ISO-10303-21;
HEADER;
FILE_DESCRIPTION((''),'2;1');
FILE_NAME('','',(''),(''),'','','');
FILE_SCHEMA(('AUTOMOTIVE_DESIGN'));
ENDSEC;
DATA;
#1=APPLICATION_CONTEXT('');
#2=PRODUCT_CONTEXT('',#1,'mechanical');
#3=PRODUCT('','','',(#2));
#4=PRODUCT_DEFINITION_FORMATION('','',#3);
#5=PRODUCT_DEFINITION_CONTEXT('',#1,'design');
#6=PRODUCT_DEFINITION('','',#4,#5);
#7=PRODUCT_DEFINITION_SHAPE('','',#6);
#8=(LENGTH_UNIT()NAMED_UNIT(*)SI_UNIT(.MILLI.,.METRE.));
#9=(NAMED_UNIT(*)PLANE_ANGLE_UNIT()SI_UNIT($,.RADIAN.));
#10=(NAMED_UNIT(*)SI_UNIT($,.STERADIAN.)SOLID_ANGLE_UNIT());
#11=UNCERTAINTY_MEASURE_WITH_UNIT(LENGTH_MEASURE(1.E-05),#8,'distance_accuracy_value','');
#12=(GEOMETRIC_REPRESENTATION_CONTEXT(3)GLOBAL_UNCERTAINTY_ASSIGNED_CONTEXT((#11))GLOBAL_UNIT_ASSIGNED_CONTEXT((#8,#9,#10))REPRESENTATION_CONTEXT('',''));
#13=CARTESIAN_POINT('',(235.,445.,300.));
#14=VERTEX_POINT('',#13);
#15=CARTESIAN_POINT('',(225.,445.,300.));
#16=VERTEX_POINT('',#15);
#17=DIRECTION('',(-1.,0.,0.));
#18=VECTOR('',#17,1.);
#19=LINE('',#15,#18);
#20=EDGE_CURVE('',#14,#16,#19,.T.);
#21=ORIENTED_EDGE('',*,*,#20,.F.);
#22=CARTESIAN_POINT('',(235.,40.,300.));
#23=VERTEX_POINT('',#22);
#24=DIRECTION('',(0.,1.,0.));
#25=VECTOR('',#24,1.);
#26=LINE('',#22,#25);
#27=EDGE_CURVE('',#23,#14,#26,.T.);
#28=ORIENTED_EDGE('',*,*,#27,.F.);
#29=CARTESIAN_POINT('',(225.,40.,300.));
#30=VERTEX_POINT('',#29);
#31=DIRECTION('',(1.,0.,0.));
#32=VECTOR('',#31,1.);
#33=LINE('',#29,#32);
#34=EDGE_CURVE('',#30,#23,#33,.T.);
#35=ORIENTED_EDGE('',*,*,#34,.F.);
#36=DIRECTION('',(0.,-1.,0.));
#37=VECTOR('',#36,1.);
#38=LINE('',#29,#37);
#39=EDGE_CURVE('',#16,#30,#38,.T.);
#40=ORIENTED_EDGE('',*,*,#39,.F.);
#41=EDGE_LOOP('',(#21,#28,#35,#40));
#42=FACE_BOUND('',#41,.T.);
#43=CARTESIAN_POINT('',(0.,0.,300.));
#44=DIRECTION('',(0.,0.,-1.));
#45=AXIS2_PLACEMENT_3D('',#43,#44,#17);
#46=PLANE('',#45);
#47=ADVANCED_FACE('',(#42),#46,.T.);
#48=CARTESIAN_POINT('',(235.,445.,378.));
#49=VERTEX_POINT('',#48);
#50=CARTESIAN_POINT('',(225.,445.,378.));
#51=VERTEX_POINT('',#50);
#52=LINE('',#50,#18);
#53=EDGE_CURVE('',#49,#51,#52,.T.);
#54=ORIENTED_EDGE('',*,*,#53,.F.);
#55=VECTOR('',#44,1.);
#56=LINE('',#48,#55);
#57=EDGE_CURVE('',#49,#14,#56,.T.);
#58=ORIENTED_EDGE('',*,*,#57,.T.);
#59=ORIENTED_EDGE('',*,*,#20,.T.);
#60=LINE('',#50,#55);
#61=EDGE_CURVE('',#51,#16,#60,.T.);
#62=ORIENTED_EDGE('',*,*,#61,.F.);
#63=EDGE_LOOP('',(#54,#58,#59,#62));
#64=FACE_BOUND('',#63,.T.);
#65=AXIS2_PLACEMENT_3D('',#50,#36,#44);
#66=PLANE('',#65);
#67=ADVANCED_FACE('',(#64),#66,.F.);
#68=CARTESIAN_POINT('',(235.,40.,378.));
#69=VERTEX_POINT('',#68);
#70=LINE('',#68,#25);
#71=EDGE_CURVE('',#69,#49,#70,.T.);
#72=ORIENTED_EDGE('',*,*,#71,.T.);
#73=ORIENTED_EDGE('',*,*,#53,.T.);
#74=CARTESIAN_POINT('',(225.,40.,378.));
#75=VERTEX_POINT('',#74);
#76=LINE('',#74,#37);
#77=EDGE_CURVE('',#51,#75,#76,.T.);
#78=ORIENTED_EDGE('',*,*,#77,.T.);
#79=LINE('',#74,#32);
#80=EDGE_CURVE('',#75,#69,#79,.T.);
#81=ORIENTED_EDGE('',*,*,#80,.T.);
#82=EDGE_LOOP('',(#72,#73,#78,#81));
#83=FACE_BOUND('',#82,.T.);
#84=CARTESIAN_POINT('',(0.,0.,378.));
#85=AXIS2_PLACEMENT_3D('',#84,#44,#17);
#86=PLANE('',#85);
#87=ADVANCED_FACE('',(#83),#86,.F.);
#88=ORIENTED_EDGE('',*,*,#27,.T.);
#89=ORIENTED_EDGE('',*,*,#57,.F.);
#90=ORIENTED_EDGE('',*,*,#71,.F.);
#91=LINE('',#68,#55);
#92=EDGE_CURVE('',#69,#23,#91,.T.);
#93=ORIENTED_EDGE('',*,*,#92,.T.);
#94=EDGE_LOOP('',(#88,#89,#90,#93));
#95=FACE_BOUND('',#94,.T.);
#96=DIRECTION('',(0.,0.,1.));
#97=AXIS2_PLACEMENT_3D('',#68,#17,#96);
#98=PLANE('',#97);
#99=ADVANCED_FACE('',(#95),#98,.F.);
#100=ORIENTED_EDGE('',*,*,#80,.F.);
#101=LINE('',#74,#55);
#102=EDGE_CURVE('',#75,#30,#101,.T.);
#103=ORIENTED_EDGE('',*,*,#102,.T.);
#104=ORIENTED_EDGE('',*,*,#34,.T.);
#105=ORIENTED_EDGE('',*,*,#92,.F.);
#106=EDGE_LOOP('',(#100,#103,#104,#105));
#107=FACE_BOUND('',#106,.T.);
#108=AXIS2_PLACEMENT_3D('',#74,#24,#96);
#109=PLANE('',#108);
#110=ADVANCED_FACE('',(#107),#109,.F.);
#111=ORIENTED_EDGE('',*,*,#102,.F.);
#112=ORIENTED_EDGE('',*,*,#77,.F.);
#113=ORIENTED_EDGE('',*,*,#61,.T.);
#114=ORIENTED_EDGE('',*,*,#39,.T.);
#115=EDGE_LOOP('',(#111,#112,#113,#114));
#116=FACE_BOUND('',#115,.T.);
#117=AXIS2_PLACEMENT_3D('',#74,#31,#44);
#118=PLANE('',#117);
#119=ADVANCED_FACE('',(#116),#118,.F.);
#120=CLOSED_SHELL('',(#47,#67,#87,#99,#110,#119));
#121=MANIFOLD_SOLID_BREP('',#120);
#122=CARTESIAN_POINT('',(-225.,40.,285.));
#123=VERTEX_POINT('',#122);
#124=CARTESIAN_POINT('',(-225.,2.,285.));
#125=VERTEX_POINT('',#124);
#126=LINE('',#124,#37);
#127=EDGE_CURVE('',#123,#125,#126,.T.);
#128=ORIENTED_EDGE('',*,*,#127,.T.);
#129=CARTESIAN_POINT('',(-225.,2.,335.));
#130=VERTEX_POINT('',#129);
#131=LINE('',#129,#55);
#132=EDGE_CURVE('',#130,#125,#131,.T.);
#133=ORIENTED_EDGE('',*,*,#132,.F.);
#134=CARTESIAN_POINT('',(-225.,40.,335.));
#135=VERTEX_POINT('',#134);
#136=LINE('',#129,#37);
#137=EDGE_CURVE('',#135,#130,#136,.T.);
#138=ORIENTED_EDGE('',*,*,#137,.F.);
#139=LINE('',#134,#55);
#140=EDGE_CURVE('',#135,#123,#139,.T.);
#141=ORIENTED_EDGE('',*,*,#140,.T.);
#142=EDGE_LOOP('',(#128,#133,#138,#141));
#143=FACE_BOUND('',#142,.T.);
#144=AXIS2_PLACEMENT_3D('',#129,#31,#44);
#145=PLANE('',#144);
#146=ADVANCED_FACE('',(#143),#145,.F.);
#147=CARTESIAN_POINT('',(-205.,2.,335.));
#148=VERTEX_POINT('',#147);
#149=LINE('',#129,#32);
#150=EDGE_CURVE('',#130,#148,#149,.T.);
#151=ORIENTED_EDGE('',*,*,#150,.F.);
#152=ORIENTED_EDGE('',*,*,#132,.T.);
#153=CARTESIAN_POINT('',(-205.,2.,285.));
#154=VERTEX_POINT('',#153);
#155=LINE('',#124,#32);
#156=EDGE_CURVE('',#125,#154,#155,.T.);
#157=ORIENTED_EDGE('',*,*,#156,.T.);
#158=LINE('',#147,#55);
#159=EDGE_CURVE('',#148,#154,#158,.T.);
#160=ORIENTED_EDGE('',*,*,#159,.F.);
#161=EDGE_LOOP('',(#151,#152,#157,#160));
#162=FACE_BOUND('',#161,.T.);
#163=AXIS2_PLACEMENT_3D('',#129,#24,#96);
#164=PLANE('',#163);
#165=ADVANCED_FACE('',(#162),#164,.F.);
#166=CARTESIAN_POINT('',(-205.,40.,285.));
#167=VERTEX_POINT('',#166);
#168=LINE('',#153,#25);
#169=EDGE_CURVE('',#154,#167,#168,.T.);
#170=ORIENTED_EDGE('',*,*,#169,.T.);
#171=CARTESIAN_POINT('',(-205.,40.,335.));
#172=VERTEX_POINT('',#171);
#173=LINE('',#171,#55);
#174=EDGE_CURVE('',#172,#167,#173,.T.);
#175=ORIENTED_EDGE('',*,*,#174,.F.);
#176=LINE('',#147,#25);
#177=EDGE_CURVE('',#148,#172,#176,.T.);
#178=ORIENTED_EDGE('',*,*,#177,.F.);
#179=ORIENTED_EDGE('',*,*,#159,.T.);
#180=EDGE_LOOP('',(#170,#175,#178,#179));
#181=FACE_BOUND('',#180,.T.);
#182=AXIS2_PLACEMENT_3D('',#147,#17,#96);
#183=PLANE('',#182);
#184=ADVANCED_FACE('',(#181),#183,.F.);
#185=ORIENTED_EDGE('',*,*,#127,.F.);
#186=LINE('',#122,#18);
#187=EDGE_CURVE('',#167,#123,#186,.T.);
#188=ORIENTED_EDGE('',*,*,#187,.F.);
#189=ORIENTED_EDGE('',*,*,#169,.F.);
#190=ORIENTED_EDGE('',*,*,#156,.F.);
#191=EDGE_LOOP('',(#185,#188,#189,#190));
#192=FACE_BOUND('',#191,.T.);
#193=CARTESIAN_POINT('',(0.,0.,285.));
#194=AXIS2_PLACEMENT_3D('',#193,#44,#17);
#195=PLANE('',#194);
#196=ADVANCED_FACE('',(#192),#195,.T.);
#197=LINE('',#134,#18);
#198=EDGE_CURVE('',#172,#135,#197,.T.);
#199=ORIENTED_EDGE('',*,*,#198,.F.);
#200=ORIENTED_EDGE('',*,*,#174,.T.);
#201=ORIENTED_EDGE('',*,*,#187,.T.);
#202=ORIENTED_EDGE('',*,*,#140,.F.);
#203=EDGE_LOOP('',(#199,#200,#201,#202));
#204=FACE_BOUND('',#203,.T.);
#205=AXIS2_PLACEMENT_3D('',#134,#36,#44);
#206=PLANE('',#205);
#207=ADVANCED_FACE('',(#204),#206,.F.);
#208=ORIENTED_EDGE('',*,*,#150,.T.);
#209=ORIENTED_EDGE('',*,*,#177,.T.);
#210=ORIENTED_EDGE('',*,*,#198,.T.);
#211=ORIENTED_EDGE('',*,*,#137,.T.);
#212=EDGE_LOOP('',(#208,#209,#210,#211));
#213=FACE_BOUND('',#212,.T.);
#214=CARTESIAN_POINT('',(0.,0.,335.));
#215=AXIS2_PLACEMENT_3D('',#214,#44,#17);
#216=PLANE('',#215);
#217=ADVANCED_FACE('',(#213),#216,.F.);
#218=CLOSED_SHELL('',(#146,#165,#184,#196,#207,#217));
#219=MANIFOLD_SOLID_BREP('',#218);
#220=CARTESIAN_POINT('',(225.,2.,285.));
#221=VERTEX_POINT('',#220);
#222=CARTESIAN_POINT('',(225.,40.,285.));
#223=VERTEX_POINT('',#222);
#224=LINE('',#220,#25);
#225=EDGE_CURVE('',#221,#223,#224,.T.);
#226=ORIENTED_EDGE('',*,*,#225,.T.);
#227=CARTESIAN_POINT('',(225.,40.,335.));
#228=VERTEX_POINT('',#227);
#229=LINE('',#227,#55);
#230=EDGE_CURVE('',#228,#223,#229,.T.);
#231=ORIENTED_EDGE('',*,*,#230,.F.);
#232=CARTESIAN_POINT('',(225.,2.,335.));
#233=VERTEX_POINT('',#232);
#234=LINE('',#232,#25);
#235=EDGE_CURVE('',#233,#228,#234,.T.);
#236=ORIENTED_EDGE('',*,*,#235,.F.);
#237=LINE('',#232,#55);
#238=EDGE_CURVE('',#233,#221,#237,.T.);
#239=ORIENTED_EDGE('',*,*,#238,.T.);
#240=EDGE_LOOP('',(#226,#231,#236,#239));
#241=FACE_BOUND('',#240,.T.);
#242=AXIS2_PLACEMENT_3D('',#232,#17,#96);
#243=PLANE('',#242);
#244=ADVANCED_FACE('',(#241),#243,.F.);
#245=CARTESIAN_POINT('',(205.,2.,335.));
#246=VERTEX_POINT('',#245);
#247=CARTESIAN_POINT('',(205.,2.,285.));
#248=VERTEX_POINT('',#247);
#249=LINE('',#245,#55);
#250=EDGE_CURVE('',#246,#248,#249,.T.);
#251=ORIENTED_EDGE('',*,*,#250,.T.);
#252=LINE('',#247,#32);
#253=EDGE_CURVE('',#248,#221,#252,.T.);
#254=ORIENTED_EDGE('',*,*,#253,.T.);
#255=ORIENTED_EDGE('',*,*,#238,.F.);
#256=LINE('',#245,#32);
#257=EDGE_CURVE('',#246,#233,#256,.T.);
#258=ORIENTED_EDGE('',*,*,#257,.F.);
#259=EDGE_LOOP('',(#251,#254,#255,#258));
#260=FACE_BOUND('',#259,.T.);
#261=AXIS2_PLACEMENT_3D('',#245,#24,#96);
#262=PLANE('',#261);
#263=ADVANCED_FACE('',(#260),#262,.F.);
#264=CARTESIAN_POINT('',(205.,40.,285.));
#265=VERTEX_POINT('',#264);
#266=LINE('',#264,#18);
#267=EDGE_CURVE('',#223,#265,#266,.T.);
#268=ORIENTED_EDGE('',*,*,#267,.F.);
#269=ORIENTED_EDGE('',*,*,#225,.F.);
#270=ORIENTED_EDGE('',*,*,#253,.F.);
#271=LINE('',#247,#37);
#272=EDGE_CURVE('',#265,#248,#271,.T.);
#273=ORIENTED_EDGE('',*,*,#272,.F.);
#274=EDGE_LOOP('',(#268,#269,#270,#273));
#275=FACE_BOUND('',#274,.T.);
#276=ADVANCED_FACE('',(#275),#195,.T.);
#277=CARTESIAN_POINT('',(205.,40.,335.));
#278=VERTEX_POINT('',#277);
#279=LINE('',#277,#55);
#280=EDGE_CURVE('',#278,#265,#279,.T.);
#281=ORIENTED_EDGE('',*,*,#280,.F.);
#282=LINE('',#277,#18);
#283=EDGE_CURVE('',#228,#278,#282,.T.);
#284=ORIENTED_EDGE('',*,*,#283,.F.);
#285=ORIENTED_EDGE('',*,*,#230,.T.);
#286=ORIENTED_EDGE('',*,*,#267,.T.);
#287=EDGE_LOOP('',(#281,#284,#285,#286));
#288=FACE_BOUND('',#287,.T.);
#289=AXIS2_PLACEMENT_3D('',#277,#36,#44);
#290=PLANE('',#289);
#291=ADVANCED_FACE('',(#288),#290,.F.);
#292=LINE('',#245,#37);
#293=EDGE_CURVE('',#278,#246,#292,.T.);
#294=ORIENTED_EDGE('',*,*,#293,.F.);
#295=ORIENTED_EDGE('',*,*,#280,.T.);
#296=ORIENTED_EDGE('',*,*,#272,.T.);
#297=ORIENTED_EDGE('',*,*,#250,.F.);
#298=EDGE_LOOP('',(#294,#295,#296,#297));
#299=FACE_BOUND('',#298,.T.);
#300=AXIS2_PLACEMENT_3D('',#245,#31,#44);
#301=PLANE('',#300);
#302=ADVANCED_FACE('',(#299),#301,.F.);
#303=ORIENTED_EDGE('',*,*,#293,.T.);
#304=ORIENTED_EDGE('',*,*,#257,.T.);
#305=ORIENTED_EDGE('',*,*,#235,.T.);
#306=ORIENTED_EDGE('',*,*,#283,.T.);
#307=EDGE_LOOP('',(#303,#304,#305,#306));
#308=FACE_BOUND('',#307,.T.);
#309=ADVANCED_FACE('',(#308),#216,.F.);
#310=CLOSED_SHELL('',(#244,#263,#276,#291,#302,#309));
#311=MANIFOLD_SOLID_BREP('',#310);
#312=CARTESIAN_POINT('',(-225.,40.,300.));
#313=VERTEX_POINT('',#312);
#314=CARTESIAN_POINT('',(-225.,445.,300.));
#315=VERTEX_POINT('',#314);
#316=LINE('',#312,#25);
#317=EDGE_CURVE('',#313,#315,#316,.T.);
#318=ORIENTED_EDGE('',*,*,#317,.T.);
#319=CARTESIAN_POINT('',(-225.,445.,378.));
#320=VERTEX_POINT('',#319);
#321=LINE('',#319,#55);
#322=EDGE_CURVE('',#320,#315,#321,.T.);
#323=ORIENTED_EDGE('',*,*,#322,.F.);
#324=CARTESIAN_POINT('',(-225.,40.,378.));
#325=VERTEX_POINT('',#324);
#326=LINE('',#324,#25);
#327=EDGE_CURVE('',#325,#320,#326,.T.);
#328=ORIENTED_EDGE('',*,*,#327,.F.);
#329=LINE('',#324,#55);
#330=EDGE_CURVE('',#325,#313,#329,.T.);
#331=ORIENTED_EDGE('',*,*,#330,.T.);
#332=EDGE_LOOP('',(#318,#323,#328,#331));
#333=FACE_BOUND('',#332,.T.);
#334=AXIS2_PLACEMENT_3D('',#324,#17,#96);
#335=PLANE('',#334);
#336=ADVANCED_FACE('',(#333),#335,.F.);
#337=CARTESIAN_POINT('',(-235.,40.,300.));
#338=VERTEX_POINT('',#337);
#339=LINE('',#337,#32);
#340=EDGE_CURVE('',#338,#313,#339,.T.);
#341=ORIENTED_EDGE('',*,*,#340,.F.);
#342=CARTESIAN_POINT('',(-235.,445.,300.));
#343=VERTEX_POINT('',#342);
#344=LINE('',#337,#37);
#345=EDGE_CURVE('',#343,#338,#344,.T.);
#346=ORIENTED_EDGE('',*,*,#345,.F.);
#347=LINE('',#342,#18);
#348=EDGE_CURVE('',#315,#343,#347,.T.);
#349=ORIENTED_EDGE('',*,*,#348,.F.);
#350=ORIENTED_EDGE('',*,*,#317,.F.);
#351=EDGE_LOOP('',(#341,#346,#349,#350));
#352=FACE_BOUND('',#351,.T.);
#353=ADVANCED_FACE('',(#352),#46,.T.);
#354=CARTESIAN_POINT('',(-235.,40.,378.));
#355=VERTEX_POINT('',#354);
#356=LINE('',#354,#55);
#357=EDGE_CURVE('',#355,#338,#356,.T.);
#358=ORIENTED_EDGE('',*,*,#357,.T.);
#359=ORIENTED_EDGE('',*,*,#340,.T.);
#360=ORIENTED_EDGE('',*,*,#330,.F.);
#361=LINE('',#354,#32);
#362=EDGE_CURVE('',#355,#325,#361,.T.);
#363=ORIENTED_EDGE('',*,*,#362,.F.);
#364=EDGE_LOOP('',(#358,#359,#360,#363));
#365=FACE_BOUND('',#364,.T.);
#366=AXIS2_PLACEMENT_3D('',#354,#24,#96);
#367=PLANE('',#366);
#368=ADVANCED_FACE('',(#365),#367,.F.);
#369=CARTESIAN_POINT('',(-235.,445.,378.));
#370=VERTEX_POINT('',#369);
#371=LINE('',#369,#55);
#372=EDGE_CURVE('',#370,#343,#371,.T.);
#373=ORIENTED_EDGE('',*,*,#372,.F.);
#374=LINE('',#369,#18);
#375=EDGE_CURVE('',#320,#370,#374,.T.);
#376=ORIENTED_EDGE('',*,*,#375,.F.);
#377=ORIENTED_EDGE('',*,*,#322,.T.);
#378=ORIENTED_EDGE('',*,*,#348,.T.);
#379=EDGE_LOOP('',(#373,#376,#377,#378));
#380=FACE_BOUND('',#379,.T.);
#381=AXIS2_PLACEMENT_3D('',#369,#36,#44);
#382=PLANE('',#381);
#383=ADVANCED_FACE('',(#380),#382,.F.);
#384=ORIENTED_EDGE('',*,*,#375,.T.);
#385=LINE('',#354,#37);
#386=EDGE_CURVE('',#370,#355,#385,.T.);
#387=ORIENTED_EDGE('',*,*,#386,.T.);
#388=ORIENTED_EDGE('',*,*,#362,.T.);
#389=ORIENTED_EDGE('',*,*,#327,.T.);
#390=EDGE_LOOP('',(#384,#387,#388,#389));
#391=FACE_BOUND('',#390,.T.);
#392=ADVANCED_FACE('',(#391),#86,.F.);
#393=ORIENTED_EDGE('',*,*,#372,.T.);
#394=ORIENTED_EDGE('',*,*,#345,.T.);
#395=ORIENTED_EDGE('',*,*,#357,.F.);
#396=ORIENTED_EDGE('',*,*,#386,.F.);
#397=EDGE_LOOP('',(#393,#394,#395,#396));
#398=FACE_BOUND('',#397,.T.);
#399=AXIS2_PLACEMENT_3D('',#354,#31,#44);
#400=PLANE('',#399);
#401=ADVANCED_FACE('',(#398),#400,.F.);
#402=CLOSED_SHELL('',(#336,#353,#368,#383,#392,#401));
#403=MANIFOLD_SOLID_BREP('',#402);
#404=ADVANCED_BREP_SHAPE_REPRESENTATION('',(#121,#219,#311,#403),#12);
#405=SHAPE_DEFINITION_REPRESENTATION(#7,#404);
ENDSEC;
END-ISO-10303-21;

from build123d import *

# Parameters (mm, degrees)
WALL_MOUNT_RAIL_ASSUMED_START = 300
SKETCH1_W                     = 10
SKETCH1_H                     = 405
WALL_MOUNT_RAIL_ASSUMED_DEPTH = 78
BOSS_EXTRUDE2_START           = 300
SKETCH2_W                     = 10
SKETCH2_H                     = 405
BOSS_EXTRUDE2_DEPTH           = 78
RADIATOR_FOOT_ASSUMED_START   = 285
SKETCH3_W                     = 20
SKETCH3_H                     = 38
RADIATOR_FOOT_ASSUMED_DEPTH   = 50
BOSS_EXTRUDE4_START           = 285
SKETCH4_W                     = 20
SKETCH4_H                     = 38
BOSS_EXTRUDE4_DEPTH           = 50


with BuildPart() as part:
    # Sketch1 → Wall_mount_rail_ASSUMED (new body)
    with BuildSketch(Plane.XY.offset(WALL_MOUNT_RAIL_ASSUMED_START)):
        with Locations((-230, 242.5)):
            Rectangle(SKETCH1_W, SKETCH1_H)
    extrude(amount=WALL_MOUNT_RAIL_ASSUMED_DEPTH)


with BuildPart() as body_2:
    # Sketch2 → Boss-Extrude2 (new body)
    with BuildSketch(Plane.XY.offset(BOSS_EXTRUDE2_START)):
        with Locations((230, 242.5)):
            Rectangle(SKETCH2_W, SKETCH2_H)
    extrude(amount=BOSS_EXTRUDE2_DEPTH)


with BuildPart() as body_3:
    # Sketch3 → Radiator_foot_ASSUMED (new body)
    with BuildSketch(Plane.XY.offset(RADIATOR_FOOT_ASSUMED_START)):
        with Locations((-215, 21)):
            Rectangle(SKETCH3_W, SKETCH3_H)
    extrude(amount=RADIATOR_FOOT_ASSUMED_DEPTH)


with BuildPart() as body_4:
    # Sketch4 → Boss-Extrude4 (new body)
    with BuildSketch(Plane.XY.offset(BOSS_EXTRUDE4_START)):
        with Locations((215, 21)):
            Rectangle(SKETCH4_W, SKETCH4_H)
    extrude(amount=BOSS_EXTRUDE4_DEPTH)


solid = Compound([part.part, body_2.part, body_3.part, body_4.part])
